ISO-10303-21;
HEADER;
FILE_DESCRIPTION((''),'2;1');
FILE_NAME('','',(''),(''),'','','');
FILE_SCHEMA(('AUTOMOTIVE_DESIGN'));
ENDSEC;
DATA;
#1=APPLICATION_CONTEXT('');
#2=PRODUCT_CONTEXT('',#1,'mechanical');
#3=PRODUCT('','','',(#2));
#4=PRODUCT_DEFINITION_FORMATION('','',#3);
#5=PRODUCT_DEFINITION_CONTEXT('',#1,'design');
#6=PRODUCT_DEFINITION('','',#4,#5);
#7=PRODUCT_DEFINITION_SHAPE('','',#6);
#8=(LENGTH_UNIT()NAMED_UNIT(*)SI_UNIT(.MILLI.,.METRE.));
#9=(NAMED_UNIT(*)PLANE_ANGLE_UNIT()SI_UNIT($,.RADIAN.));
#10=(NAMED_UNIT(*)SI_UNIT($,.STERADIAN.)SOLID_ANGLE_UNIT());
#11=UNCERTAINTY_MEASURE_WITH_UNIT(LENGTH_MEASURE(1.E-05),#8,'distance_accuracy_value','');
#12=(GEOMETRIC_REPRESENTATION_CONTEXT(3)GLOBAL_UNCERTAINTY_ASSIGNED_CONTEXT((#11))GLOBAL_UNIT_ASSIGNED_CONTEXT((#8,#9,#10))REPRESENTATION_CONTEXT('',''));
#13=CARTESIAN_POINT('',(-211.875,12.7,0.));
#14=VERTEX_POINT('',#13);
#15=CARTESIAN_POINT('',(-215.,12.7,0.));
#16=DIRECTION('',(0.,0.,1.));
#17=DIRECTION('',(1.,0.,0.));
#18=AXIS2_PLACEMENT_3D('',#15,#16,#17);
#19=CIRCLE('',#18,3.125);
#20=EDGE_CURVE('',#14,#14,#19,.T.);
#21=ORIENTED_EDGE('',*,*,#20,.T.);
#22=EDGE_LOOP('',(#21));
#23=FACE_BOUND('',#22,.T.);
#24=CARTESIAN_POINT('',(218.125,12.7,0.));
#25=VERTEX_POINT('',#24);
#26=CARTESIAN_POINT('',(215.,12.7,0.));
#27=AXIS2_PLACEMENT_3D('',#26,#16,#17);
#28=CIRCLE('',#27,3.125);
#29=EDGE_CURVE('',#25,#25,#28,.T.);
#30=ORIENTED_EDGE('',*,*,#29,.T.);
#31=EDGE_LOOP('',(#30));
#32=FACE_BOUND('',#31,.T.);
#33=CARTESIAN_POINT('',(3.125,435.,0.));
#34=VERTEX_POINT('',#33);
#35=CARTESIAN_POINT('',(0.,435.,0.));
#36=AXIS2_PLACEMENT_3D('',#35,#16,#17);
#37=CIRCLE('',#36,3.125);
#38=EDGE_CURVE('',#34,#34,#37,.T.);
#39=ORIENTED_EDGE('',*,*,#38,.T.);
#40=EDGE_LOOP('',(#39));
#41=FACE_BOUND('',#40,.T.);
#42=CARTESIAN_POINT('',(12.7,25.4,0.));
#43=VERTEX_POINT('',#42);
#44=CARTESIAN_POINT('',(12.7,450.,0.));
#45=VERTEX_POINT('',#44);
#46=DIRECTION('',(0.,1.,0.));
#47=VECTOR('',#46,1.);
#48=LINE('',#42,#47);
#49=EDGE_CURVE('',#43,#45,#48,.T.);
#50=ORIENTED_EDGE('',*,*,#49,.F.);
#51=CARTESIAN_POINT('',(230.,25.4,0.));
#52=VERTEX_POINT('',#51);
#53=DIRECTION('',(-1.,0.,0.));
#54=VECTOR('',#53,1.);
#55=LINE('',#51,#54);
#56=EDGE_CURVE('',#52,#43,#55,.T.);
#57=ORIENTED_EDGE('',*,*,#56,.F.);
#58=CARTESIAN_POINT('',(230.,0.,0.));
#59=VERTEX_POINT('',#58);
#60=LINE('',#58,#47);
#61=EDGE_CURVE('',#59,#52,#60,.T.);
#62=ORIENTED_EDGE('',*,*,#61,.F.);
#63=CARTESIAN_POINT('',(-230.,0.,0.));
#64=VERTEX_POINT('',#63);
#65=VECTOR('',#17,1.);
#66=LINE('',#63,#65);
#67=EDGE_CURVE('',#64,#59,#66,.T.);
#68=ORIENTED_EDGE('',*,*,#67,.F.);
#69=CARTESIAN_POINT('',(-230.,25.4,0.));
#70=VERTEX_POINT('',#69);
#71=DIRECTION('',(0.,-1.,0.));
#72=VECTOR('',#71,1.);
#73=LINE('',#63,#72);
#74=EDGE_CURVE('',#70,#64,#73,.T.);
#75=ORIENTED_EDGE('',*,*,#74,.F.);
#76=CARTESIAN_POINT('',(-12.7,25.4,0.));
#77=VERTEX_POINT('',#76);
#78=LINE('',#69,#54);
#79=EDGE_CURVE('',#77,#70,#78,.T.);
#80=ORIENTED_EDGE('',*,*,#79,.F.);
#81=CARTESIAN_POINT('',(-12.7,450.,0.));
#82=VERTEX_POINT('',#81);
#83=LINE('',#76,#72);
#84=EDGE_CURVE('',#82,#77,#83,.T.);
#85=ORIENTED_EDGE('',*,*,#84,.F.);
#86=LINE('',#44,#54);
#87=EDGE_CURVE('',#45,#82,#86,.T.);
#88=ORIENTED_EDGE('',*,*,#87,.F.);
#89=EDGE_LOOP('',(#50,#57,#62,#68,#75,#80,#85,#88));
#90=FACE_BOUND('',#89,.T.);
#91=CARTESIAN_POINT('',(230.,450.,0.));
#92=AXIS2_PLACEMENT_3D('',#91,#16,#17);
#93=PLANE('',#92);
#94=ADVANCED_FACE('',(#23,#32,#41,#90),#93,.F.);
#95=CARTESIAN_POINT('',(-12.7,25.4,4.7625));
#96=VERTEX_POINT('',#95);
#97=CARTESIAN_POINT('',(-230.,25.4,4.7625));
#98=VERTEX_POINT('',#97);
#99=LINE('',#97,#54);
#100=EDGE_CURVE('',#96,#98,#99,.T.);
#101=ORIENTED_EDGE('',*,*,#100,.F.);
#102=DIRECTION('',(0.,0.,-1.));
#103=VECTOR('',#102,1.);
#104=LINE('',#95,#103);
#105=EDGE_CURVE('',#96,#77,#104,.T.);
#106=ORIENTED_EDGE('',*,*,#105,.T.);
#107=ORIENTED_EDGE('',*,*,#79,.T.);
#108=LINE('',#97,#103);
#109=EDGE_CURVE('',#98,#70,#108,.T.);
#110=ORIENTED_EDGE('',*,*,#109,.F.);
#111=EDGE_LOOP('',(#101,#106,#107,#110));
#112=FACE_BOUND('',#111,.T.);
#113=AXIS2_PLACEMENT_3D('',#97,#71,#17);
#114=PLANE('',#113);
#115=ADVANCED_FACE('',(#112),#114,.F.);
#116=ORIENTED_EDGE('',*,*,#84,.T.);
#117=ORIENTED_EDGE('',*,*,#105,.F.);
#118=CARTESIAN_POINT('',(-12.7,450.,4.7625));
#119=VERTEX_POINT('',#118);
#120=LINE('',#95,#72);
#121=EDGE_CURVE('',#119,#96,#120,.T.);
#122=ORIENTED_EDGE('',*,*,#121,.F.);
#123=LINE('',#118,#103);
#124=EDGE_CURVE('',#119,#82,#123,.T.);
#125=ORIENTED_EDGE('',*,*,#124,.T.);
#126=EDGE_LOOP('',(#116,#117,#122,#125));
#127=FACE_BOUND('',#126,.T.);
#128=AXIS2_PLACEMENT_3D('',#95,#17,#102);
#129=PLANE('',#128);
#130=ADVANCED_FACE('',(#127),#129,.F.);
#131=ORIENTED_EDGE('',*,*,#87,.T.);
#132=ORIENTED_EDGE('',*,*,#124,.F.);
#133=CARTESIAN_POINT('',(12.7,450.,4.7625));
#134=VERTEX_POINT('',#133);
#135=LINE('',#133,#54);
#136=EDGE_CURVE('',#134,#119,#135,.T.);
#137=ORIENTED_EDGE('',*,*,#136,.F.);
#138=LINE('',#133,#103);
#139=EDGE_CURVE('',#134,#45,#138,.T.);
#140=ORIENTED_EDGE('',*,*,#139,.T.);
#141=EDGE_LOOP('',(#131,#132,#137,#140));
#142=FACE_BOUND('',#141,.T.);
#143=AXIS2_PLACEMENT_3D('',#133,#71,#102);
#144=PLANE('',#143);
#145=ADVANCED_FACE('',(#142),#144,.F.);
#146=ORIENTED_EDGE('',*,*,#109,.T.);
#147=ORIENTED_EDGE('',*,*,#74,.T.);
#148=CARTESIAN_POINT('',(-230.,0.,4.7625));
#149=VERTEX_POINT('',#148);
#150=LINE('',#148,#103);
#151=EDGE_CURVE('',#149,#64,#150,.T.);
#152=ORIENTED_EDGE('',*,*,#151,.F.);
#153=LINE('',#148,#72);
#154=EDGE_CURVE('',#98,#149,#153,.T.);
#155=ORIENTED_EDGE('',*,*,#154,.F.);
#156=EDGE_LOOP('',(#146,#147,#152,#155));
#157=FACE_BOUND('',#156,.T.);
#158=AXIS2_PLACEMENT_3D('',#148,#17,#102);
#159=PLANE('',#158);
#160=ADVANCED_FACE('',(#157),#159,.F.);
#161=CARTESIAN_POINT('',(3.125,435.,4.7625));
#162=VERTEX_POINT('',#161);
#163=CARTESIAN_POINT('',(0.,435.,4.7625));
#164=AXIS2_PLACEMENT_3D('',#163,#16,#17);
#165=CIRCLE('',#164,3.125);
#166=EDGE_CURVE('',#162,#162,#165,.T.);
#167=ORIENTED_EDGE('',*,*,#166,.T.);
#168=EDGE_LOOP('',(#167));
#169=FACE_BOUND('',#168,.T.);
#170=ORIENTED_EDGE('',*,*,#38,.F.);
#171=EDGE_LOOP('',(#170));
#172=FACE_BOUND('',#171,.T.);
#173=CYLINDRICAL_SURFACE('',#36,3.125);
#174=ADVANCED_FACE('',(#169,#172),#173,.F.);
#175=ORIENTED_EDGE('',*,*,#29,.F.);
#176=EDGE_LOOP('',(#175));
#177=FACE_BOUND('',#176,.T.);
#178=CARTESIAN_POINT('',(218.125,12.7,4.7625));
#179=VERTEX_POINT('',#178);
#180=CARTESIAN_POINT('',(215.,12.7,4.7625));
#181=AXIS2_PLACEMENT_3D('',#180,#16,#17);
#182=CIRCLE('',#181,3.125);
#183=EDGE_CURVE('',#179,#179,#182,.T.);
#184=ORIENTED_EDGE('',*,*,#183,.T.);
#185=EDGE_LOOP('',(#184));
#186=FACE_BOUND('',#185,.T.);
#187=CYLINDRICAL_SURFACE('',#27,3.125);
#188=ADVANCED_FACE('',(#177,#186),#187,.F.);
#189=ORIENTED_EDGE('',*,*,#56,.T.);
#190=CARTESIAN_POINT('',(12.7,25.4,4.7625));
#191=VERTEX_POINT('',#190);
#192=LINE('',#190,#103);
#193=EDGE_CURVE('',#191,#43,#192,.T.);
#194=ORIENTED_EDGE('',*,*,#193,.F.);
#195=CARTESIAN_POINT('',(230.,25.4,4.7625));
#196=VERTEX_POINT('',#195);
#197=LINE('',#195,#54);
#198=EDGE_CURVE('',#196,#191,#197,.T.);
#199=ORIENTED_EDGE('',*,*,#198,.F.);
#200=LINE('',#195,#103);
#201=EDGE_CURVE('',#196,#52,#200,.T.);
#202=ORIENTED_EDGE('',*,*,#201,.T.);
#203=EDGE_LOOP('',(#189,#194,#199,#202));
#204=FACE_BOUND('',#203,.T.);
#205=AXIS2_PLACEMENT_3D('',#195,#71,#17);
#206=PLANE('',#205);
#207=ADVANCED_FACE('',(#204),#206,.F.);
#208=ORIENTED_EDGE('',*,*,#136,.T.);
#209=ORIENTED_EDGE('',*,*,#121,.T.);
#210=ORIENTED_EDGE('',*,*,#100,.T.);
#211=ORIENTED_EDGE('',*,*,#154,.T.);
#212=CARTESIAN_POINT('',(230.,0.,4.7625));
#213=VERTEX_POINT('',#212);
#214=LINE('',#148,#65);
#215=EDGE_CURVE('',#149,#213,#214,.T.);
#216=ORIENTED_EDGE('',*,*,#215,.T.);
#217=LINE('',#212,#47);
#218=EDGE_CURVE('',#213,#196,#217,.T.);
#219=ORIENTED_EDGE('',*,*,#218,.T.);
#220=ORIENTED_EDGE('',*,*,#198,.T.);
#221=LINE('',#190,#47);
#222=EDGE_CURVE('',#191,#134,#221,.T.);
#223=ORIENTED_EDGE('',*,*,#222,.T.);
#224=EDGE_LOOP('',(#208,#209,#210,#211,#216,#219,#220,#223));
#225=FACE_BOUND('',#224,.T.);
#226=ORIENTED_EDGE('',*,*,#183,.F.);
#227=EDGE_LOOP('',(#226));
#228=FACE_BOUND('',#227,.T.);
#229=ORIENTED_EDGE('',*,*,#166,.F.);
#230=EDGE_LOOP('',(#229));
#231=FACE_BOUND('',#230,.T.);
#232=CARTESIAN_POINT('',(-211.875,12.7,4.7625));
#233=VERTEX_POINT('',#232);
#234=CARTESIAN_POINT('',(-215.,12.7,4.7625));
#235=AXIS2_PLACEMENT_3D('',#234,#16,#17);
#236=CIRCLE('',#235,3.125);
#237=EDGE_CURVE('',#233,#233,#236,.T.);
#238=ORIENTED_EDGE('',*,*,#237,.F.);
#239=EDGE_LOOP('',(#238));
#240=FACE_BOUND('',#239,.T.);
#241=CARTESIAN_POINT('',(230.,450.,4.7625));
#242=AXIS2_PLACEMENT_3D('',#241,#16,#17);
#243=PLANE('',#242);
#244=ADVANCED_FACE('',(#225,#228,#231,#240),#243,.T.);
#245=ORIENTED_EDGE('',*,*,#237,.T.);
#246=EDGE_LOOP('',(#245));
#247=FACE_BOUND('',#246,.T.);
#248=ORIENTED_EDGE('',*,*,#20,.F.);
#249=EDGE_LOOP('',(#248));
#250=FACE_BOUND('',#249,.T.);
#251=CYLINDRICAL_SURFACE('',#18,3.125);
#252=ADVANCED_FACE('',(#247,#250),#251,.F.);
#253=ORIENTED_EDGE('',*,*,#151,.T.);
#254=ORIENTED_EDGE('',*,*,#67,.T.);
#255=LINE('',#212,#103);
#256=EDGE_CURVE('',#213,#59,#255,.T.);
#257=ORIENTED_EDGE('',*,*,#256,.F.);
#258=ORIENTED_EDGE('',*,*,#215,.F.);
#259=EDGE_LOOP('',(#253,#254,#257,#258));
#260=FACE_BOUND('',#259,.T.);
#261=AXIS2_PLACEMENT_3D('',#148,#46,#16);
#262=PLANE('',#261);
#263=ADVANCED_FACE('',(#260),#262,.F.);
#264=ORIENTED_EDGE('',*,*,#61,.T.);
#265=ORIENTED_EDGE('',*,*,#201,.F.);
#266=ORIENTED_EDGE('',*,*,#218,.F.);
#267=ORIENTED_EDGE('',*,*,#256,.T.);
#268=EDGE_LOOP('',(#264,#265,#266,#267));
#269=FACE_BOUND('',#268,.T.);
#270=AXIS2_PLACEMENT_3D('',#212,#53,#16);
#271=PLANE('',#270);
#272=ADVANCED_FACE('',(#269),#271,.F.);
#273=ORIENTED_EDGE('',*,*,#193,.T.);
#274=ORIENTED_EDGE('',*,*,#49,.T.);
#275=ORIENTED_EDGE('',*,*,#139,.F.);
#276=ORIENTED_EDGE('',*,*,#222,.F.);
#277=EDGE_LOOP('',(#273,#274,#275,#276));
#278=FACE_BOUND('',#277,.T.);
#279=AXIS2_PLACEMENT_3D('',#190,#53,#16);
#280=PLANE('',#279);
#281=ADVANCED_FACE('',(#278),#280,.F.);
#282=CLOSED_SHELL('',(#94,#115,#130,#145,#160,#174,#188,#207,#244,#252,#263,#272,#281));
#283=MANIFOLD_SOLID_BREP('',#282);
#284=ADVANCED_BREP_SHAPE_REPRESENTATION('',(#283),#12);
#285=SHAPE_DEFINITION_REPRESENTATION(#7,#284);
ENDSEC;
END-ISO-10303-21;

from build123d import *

# Parameters (mm, degrees)
EXTRUDE1_DEPTH     = 4.7625
SKETCH2_R          = 3.125
CUT_EXTRUDE1_DEPTH = 5.7625


with BuildPart() as part:
    # Sketch1 → Extrude1 (new body)
    with BuildSketch(Plane.XY):
        Polygon((-230, 0), (230, 0), (230, 25.4), (12.7, 25.4), (12.7, 450), (-12.7, 450), (-12.7, 25.4), (-230, 25.4), align=None)
    extrude(amount=EXTRUDE1_DEPTH)

    # Sketch2 → Cut-Extrude1 (cut, through all)
    with BuildSketch(Plane.XY.offset(4.7625)):
        with Locations((215, 12.7)):
            Circle(SKETCH2_R)
        with Locations((-215, 12.7)):
            Circle(SKETCH2_R)
        with Locations((0, 435)):
            Circle(SKETCH2_R)
    extrude(amount=-CUT_EXTRUDE1_DEPTH, mode=Mode.SUBTRACT)


solid = part.part
